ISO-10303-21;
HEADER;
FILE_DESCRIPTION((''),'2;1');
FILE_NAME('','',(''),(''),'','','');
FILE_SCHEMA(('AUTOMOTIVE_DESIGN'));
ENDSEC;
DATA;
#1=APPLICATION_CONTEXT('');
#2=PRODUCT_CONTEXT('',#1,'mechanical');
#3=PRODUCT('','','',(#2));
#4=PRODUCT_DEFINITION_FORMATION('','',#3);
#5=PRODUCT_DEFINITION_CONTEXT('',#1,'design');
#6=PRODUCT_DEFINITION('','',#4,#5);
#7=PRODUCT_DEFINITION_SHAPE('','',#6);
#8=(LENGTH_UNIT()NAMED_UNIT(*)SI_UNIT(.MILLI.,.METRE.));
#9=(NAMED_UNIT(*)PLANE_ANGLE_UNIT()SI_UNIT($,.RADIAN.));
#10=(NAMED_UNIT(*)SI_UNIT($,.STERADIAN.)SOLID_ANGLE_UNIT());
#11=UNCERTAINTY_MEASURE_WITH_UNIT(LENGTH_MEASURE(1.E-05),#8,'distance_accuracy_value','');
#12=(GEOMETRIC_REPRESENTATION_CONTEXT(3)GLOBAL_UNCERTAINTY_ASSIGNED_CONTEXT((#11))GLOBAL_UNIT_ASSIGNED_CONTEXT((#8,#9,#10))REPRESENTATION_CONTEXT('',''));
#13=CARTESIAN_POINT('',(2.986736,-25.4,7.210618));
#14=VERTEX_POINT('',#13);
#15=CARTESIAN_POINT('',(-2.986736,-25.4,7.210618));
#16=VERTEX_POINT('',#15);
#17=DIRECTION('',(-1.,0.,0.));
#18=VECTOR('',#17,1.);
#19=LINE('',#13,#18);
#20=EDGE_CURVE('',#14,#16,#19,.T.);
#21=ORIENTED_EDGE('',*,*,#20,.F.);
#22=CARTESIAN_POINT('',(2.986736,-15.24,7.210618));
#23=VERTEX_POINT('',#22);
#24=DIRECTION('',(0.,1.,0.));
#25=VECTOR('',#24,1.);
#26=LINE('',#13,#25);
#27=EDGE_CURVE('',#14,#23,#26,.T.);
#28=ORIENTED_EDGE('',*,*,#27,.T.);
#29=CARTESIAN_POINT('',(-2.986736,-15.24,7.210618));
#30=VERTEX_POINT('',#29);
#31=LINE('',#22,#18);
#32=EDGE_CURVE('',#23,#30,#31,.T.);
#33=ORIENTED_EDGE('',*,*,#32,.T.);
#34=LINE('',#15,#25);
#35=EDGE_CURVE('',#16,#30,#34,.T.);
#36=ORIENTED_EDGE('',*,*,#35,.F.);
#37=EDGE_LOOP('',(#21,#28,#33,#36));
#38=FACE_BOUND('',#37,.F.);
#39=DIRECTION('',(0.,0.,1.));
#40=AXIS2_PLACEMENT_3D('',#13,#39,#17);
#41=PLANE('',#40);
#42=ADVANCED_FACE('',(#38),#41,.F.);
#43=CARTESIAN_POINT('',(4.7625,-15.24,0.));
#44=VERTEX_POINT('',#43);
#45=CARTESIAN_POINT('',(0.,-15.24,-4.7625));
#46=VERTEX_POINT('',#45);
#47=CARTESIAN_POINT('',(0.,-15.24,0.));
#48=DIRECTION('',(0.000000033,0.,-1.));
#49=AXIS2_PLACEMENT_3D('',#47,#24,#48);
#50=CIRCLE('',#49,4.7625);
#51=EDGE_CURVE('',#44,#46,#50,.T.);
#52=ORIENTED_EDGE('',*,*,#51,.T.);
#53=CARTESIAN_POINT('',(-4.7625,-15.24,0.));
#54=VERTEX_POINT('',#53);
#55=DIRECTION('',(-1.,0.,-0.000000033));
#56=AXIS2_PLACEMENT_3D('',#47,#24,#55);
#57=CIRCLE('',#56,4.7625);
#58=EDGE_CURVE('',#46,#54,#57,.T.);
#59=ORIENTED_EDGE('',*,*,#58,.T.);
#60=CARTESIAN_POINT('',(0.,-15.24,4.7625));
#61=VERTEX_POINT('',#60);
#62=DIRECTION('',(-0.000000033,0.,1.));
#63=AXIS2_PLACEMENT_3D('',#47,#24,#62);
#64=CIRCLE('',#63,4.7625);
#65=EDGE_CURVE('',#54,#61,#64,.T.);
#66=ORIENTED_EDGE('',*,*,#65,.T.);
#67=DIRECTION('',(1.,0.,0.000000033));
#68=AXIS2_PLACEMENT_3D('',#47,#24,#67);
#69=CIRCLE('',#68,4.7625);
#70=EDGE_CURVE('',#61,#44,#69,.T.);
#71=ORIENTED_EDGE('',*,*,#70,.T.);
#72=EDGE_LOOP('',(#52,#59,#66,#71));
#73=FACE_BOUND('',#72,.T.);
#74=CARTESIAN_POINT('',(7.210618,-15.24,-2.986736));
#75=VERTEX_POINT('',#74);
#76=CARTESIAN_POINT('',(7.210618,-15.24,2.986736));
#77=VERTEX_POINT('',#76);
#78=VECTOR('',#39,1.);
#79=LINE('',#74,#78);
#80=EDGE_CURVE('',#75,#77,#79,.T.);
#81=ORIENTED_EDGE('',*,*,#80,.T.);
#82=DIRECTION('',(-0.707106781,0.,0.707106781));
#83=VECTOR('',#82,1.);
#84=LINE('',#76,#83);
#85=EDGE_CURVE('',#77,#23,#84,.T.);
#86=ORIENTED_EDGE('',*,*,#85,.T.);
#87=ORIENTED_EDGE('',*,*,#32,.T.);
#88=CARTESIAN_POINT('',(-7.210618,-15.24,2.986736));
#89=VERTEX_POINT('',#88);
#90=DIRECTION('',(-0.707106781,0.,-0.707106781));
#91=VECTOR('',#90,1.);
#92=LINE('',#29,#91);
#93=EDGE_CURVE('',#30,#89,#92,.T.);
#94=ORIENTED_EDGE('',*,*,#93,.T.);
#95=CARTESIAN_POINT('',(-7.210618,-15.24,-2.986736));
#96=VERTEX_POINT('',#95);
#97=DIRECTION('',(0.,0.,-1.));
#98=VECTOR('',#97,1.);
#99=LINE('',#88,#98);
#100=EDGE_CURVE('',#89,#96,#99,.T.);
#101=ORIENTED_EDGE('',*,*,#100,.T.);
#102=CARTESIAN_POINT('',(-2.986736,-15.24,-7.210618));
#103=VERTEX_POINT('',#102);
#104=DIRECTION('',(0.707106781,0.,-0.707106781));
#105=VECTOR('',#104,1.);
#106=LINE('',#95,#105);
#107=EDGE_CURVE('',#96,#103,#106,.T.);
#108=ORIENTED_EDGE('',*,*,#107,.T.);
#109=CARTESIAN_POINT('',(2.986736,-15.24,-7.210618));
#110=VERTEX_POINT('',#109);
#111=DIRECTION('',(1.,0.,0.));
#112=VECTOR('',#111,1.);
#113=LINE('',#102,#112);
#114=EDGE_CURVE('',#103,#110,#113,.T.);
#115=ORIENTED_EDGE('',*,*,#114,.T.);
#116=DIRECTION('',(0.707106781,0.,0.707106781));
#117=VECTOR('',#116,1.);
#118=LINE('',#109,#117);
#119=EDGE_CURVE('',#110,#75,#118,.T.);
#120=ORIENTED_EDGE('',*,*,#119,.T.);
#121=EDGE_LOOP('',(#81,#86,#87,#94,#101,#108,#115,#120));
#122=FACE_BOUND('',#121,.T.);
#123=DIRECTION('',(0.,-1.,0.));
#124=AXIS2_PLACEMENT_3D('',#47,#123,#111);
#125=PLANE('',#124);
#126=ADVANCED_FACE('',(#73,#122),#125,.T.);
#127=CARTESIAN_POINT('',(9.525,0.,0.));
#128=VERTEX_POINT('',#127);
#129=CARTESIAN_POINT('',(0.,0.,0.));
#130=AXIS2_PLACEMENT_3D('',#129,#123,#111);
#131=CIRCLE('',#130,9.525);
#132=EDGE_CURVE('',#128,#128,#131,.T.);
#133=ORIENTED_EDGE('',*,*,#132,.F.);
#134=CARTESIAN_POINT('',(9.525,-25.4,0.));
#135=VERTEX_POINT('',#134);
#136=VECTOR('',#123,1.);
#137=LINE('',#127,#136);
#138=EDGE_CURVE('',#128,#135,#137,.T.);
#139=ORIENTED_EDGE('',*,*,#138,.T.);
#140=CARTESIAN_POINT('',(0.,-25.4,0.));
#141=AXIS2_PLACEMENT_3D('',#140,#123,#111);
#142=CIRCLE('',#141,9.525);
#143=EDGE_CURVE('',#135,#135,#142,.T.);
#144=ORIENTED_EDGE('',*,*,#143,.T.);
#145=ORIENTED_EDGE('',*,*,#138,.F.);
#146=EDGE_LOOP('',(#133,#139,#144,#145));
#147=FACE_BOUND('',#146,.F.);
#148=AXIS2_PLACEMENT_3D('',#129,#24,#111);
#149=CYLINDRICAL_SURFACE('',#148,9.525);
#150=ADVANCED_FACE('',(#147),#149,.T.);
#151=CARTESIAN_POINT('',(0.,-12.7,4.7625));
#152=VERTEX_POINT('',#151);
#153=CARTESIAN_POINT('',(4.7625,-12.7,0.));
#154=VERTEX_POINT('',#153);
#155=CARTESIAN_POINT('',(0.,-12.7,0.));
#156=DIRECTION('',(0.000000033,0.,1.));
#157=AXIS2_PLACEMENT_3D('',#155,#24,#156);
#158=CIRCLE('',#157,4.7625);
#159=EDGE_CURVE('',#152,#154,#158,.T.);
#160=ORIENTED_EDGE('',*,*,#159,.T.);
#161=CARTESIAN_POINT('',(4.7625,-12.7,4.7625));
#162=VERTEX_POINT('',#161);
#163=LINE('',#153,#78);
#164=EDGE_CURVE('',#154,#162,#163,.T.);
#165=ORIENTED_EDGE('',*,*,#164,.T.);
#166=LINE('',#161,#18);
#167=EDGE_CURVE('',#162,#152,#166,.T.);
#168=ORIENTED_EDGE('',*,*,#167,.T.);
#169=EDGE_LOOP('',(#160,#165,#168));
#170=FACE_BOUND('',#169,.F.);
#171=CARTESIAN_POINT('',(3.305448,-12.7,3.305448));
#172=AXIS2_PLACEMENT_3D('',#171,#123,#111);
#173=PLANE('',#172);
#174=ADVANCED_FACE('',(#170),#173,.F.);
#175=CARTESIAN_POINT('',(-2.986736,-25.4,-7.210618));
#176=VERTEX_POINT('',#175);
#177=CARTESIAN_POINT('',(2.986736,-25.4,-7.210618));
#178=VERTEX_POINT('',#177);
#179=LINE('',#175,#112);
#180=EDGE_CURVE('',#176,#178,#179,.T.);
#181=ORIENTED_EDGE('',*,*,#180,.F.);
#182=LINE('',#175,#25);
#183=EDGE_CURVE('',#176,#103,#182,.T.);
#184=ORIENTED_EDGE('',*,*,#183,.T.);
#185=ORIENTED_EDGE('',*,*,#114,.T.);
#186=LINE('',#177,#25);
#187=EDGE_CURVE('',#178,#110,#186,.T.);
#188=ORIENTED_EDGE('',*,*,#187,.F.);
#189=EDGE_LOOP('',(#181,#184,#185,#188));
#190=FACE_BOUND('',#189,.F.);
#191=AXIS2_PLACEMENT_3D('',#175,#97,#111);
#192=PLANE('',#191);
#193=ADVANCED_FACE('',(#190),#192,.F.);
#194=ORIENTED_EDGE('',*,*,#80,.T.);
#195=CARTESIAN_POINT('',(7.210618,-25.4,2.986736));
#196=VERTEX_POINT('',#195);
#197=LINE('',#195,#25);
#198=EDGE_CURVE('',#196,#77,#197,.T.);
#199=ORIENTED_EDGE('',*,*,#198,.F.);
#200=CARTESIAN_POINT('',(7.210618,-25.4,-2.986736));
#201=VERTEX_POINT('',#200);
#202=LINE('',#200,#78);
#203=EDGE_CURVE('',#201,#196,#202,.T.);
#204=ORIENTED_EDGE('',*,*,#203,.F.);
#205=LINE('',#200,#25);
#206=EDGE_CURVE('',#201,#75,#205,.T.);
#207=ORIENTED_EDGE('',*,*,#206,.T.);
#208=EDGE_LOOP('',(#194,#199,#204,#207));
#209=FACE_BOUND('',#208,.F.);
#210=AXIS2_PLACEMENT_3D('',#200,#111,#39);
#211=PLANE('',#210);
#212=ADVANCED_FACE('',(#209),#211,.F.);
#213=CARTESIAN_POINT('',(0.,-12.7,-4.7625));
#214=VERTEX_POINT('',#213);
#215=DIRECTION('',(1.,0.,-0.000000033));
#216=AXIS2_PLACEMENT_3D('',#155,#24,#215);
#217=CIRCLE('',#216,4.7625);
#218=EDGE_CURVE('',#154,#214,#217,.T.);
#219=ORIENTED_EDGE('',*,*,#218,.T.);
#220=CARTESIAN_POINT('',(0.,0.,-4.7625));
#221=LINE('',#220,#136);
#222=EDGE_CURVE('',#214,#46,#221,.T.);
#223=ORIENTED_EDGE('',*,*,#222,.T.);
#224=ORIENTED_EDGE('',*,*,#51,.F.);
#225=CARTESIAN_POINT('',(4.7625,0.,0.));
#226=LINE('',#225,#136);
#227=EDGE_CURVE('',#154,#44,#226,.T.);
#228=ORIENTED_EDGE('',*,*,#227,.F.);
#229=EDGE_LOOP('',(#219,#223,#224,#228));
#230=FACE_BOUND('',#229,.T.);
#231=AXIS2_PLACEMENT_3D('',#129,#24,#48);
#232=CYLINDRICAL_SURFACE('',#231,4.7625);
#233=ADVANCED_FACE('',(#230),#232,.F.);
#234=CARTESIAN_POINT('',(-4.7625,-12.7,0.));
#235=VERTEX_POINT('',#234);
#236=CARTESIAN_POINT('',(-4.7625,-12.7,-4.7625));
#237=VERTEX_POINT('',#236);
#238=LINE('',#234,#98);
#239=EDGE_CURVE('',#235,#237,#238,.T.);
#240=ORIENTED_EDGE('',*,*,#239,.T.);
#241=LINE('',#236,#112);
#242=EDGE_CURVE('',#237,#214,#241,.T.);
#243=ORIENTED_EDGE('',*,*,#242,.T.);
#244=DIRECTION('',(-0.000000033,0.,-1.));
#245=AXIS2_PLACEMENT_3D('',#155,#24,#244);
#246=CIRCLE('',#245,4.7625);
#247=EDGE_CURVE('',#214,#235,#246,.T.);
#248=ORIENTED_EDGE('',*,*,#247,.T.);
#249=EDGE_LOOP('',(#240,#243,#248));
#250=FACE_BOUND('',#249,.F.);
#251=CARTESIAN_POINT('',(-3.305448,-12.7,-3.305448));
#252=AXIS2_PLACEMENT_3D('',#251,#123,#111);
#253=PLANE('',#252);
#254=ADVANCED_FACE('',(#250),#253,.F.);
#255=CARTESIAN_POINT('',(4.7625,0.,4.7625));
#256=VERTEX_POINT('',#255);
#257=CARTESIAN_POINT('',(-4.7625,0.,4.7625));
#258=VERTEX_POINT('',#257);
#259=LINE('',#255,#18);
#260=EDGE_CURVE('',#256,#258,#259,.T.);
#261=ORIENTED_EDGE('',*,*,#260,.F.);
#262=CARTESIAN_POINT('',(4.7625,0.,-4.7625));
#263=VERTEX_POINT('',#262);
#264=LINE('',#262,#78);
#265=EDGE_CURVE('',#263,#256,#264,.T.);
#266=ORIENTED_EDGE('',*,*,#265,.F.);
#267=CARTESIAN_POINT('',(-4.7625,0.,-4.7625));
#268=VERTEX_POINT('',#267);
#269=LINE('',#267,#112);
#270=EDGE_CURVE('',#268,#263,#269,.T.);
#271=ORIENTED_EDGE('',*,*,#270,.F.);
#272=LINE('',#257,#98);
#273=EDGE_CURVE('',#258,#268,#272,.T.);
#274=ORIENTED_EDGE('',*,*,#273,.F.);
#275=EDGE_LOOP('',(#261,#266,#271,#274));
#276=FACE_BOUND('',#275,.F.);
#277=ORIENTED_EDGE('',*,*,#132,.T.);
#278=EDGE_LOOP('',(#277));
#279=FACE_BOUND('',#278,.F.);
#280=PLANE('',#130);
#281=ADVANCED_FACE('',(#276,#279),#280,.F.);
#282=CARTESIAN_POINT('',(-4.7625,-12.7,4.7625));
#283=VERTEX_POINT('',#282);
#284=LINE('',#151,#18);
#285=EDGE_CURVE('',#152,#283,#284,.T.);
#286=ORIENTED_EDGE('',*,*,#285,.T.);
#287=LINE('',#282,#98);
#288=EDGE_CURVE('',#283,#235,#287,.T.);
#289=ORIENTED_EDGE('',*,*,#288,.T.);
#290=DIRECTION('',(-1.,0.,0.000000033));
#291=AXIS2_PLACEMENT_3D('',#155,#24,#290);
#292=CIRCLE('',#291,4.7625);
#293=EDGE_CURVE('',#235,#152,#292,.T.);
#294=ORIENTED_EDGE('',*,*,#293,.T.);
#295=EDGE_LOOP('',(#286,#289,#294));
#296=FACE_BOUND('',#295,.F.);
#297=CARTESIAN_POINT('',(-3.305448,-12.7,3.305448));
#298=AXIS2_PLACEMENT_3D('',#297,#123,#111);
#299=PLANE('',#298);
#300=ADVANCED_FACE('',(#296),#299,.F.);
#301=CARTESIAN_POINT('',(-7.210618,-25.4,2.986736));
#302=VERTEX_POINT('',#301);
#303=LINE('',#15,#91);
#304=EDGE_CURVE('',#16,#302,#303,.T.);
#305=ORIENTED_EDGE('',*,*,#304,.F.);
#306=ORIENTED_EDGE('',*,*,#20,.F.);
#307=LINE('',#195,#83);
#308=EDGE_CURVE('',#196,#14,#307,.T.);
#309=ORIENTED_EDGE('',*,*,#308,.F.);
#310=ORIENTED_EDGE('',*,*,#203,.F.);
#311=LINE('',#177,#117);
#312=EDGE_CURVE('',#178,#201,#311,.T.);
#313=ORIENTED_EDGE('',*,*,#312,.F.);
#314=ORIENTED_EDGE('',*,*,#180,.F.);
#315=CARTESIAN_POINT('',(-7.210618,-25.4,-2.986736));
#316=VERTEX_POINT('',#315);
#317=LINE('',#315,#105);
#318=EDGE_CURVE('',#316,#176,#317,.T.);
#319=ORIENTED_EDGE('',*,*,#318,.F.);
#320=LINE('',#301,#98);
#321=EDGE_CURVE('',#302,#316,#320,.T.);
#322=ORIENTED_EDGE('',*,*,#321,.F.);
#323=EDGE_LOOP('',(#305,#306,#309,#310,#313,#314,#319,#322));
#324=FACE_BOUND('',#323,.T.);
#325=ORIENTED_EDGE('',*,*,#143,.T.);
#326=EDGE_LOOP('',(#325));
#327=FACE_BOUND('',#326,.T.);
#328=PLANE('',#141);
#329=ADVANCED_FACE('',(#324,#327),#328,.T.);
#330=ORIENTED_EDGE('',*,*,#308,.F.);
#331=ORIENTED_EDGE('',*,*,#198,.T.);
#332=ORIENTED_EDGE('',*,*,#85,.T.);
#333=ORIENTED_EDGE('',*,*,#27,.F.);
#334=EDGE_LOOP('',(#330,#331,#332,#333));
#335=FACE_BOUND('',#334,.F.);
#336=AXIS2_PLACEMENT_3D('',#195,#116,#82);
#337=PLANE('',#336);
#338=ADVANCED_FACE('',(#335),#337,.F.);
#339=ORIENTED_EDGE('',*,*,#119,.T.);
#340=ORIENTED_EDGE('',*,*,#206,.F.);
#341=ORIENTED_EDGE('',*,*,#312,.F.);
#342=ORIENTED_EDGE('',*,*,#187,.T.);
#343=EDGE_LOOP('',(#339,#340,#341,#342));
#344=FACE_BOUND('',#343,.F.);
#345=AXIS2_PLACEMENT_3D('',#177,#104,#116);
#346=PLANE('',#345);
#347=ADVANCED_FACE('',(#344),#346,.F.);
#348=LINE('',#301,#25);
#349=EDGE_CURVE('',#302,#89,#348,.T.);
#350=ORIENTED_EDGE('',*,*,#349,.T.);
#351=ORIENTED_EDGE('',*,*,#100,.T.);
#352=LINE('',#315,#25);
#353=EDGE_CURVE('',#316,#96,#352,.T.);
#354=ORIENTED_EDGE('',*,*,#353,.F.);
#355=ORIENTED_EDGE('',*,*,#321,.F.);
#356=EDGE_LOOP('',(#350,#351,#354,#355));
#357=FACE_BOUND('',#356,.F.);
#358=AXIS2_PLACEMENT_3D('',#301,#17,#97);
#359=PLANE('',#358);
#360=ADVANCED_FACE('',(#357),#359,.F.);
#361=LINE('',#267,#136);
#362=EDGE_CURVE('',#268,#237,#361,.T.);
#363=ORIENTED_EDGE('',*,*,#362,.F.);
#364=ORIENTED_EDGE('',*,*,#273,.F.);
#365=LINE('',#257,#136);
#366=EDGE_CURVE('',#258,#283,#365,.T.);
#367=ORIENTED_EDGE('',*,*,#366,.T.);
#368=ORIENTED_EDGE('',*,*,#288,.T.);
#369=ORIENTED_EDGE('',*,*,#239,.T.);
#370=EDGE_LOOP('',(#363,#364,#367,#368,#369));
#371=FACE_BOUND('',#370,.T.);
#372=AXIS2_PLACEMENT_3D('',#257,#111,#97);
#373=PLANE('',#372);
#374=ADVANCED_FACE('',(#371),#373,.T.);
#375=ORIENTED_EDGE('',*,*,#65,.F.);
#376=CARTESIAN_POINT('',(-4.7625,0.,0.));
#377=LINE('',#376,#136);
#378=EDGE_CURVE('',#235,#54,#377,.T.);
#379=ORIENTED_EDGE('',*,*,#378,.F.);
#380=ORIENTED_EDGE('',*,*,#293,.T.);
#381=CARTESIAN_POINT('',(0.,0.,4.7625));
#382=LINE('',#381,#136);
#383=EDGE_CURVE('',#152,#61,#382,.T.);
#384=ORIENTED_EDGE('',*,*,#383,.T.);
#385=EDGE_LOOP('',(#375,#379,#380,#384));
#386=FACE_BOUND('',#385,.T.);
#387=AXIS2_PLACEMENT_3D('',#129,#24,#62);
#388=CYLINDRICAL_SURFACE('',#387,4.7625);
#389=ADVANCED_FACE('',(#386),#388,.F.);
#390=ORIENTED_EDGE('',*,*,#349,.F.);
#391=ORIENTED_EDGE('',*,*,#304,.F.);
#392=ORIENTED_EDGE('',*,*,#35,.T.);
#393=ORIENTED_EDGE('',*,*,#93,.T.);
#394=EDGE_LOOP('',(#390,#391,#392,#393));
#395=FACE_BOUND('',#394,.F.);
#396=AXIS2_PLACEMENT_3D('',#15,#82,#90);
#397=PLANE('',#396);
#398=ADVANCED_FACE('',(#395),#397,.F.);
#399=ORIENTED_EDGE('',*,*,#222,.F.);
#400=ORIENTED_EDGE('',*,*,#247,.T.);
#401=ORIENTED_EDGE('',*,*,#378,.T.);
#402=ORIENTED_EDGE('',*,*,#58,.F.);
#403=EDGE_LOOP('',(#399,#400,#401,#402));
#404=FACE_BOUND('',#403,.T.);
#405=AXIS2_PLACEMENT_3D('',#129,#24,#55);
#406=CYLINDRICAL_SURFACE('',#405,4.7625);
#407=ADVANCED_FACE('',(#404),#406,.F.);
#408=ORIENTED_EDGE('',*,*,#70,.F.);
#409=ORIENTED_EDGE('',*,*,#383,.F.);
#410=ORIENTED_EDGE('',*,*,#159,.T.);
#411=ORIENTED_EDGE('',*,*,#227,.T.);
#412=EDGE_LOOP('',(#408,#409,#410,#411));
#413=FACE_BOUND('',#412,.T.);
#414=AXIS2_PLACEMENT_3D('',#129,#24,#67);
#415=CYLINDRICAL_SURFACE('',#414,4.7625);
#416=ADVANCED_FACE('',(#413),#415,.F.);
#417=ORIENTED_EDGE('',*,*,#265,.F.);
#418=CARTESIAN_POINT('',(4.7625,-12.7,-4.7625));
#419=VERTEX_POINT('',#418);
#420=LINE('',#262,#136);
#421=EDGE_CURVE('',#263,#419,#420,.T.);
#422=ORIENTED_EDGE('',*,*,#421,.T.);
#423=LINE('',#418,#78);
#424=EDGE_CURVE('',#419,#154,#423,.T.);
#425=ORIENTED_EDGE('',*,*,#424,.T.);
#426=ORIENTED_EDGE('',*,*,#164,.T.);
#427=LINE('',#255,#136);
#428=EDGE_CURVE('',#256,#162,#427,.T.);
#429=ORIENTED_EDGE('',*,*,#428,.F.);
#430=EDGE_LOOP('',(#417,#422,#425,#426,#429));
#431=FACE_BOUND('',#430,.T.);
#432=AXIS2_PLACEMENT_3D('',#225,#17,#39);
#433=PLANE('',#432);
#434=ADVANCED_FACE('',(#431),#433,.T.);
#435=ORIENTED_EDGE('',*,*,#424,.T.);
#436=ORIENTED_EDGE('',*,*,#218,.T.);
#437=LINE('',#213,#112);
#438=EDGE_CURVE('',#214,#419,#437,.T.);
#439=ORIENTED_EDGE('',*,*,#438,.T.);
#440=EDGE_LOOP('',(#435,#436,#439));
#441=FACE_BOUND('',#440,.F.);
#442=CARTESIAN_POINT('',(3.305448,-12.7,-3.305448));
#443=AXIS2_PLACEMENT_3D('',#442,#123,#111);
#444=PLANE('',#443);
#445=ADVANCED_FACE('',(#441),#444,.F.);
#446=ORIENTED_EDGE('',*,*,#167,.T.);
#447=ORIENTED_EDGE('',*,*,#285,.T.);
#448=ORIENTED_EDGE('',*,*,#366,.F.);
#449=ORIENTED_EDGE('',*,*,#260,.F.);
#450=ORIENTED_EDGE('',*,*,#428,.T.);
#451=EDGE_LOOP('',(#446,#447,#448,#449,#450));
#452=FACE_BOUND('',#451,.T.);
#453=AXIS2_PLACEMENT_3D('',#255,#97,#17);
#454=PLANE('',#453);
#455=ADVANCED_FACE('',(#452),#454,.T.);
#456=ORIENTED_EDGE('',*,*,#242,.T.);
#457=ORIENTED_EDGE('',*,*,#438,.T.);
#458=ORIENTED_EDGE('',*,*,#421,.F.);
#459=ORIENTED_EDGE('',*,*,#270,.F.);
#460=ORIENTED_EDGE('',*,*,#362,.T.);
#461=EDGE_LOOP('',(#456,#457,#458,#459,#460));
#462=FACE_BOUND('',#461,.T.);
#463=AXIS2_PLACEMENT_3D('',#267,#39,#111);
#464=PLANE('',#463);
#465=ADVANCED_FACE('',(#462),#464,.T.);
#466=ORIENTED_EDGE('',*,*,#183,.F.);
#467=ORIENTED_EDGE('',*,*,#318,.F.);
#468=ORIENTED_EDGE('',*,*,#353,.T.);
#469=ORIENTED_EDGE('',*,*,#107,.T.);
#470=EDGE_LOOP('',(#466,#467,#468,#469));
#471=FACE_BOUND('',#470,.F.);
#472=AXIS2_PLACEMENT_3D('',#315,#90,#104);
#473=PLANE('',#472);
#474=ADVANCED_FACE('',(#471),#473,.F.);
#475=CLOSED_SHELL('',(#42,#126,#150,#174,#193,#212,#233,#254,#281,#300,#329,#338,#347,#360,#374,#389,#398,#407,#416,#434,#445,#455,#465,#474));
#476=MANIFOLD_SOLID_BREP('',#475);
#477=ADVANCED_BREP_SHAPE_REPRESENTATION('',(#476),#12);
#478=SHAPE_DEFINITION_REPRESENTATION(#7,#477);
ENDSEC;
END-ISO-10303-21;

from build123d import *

# Parameters (mm, degrees)
F0_R     = 9.525
F1_DEPTH = 25.4
F3_DEPTH = 25.401
F4_DEPTH = 12.7
F6_DEPTH = 10.16


with BuildPart() as f1:
    # F0 (on Front) → F1 (new body)
    with BuildSketch(Plane.XZ):
        Circle(F0_R)
    extrude(amount=F1_DEPTH)

    # F2 (on Front) → F3 (cut, through all)
    with BuildSketch(Plane.XZ):
        with BuildLine():
            ThreePointArc((4.7625, 0), (3.367596, 3.367596), (0, 4.7625))
            ThreePointArc((0, 4.7625), (-3.367596, 3.367596), (-4.7625, 0))
            ThreePointArc((-4.7625, 0), (-3.367596, -3.367596), (0, -4.7625))
            ThreePointArc((0, -4.7625), (3.367596, -3.367596), (4.7625, 0))
        make_face()
    extrude(amount=F3_DEPTH, mode=Mode.SUBTRACT)

    # F2 (on Front) → F4 (cut)
    with BuildSketch(Plane.XZ):
        with BuildLine():
            Line((4.7625, 0), (4.7625, 4.7625))
            Line((4.7625, 4.7625), (0, 4.7625))
            ThreePointArc((0, 4.7625), (3.367596, 3.367596), (4.7625, 0))
        make_face()
        with BuildLine():
            ThreePointArc((-4.7625, 0), (-3.367596, 3.367596), (0, 4.7625))
            Line((0, 4.7625), (-4.7625, 4.7625))
            Line((-4.7625, 4.7625), (-4.7625, 0))
        make_face()
        with BuildLine():
            Line((4.7625, -4.7625), (4.7625, 0))
            ThreePointArc((4.7625, 0), (3.367596, -3.367596), (0, -4.7625))
            Line((0, -4.7625), (4.7625, -4.7625))
        make_face()
        with BuildLine():
            ThreePointArc((0, -4.7625), (-3.367596, -3.367596), (-4.7625, 0))
            Line((-4.7625, 0), (-4.7625, -4.7625))
            Line((-4.7625, -4.7625), (0, -4.7625))
        make_face()
    extrude(amount=F4_DEPTH, mode=Mode.SUBTRACT)

    # F5 (on face) → F6 (cut)
    with BuildSketch(Plane.XZ.offset(25.4)):
        Polygon((2.986736, 7.210618), (-2.986736, 7.210618), (-7.210618, 2.986736), (-7.210618, -2.986736), (-2.986736, -7.210618), (2.986736, -7.210618), (7.210618, -2.986736), (7.210618, 2.986736), align=None)
    extrude(amount=-F6_DEPTH, mode=Mode.SUBTRACT)


solid = f1.part
